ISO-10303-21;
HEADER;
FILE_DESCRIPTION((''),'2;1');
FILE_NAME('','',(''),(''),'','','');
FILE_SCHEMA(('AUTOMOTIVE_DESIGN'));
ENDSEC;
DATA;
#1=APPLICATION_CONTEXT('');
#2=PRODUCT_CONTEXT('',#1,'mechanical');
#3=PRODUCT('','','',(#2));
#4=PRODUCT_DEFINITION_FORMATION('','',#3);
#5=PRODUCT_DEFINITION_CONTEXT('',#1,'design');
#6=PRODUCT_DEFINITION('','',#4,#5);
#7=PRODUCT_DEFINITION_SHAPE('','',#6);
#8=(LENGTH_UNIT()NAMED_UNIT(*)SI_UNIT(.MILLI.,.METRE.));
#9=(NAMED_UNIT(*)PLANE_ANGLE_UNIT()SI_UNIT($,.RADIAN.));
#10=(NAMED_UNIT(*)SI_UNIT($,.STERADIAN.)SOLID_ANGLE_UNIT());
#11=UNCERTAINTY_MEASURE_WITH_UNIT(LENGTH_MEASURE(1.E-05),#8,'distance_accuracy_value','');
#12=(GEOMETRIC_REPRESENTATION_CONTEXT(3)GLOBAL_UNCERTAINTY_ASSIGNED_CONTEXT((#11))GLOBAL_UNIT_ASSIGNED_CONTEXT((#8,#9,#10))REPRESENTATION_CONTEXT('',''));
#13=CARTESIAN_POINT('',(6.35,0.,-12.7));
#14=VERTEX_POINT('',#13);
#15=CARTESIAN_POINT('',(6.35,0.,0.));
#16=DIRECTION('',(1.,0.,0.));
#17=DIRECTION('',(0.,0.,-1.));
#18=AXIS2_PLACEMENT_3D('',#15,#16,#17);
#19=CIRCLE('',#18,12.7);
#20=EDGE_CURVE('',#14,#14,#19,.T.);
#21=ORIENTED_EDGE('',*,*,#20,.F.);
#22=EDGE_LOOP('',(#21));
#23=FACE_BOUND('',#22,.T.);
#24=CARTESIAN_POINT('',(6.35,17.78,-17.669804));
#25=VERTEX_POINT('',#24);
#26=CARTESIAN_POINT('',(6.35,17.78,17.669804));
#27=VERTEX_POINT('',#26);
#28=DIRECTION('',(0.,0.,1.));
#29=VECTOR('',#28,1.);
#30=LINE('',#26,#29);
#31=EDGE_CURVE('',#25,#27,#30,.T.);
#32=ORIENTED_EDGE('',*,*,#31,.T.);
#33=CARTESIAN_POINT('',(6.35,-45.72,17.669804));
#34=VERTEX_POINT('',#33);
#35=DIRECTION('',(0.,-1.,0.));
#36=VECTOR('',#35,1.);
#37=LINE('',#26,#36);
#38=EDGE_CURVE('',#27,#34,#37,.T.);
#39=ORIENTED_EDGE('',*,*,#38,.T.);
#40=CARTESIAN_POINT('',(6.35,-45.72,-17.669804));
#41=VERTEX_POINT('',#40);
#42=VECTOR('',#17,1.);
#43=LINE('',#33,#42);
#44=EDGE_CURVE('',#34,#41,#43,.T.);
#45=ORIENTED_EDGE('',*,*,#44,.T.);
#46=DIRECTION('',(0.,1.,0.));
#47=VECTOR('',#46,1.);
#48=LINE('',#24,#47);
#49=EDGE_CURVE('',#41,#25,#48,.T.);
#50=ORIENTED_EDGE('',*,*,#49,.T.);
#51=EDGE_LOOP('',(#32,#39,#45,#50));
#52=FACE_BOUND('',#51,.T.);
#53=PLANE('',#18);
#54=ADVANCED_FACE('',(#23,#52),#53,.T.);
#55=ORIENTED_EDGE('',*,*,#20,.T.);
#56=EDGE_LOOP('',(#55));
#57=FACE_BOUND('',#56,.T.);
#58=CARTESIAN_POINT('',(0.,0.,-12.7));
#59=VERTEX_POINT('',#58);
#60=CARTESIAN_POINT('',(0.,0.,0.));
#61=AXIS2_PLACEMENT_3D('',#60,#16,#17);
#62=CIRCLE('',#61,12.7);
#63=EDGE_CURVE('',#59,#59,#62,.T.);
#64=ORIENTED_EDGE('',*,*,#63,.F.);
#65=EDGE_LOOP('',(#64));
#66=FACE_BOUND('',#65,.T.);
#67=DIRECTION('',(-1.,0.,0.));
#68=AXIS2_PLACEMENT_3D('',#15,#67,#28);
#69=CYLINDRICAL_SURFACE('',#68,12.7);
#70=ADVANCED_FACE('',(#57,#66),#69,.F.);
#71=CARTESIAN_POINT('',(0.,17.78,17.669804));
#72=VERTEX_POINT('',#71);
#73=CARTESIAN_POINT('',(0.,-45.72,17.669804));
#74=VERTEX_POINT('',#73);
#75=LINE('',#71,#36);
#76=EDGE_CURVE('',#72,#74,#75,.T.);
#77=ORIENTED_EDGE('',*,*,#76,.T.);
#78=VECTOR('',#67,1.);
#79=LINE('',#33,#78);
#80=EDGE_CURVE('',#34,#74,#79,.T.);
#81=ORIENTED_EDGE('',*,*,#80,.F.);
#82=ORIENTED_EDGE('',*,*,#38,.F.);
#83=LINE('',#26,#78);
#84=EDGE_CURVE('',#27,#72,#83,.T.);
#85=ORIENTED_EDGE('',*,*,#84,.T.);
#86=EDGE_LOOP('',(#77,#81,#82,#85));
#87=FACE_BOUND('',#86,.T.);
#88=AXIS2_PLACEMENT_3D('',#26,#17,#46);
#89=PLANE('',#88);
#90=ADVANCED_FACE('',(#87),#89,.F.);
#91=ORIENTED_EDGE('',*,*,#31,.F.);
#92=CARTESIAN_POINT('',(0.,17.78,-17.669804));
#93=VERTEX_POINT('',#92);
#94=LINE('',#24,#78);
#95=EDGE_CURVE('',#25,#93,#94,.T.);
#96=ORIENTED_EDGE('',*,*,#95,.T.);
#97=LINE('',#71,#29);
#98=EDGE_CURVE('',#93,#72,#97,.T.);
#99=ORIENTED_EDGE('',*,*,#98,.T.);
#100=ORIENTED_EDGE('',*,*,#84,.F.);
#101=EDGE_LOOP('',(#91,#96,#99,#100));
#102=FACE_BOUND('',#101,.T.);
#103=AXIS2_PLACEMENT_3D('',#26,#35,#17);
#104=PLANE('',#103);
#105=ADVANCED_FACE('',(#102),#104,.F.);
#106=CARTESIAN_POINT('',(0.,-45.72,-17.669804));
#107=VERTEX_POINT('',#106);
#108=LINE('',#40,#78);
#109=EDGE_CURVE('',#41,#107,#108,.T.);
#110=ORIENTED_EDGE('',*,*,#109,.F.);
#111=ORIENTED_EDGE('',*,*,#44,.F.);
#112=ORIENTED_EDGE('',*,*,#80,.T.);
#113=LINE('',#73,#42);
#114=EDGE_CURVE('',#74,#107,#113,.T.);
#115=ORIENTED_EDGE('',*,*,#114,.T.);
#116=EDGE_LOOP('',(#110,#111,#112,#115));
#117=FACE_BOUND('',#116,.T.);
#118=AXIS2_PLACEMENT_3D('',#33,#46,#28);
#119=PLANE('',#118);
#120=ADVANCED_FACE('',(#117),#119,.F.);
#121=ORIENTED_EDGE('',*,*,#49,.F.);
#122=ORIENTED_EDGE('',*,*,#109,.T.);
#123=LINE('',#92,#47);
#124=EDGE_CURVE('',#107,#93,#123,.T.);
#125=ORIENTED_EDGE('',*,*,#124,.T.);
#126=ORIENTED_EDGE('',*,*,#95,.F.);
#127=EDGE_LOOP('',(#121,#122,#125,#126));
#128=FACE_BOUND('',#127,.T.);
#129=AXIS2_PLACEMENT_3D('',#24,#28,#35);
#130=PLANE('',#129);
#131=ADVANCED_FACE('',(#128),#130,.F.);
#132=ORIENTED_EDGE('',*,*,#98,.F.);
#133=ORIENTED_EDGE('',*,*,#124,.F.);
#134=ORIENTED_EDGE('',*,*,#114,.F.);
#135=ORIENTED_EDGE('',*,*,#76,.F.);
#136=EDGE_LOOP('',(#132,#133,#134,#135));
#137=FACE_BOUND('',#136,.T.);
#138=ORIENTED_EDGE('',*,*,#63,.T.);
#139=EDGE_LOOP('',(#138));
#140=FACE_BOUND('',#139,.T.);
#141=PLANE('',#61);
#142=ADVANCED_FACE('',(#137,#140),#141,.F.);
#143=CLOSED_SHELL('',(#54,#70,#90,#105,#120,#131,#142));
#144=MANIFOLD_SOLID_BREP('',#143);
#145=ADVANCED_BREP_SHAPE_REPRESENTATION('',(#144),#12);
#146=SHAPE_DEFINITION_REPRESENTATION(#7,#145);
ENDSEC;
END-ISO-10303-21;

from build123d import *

# Parameters (mm, degrees)
SKETCH1_W           = 35.339607518
SKETCH1_H           = 63.5
SKETCH1_R           = 12.7
BOSS_EXTRUDE1_DEPTH = 6.35


with BuildPart() as part:
    # Sketch1 → Boss-Extrude1 (new body)
    with BuildSketch(Plane(origin=(0, 0, 0), x_dir=(0, 0, -1), z_dir=(1, 0, 0))):
        with Locations((0, -13.97)):
            Rectangle(SKETCH1_W, SKETCH1_H)
        Circle(SKETCH1_R, mode=Mode.SUBTRACT)
    extrude(amount=BOSS_EXTRUDE1_DEPTH)


solid = part.part
